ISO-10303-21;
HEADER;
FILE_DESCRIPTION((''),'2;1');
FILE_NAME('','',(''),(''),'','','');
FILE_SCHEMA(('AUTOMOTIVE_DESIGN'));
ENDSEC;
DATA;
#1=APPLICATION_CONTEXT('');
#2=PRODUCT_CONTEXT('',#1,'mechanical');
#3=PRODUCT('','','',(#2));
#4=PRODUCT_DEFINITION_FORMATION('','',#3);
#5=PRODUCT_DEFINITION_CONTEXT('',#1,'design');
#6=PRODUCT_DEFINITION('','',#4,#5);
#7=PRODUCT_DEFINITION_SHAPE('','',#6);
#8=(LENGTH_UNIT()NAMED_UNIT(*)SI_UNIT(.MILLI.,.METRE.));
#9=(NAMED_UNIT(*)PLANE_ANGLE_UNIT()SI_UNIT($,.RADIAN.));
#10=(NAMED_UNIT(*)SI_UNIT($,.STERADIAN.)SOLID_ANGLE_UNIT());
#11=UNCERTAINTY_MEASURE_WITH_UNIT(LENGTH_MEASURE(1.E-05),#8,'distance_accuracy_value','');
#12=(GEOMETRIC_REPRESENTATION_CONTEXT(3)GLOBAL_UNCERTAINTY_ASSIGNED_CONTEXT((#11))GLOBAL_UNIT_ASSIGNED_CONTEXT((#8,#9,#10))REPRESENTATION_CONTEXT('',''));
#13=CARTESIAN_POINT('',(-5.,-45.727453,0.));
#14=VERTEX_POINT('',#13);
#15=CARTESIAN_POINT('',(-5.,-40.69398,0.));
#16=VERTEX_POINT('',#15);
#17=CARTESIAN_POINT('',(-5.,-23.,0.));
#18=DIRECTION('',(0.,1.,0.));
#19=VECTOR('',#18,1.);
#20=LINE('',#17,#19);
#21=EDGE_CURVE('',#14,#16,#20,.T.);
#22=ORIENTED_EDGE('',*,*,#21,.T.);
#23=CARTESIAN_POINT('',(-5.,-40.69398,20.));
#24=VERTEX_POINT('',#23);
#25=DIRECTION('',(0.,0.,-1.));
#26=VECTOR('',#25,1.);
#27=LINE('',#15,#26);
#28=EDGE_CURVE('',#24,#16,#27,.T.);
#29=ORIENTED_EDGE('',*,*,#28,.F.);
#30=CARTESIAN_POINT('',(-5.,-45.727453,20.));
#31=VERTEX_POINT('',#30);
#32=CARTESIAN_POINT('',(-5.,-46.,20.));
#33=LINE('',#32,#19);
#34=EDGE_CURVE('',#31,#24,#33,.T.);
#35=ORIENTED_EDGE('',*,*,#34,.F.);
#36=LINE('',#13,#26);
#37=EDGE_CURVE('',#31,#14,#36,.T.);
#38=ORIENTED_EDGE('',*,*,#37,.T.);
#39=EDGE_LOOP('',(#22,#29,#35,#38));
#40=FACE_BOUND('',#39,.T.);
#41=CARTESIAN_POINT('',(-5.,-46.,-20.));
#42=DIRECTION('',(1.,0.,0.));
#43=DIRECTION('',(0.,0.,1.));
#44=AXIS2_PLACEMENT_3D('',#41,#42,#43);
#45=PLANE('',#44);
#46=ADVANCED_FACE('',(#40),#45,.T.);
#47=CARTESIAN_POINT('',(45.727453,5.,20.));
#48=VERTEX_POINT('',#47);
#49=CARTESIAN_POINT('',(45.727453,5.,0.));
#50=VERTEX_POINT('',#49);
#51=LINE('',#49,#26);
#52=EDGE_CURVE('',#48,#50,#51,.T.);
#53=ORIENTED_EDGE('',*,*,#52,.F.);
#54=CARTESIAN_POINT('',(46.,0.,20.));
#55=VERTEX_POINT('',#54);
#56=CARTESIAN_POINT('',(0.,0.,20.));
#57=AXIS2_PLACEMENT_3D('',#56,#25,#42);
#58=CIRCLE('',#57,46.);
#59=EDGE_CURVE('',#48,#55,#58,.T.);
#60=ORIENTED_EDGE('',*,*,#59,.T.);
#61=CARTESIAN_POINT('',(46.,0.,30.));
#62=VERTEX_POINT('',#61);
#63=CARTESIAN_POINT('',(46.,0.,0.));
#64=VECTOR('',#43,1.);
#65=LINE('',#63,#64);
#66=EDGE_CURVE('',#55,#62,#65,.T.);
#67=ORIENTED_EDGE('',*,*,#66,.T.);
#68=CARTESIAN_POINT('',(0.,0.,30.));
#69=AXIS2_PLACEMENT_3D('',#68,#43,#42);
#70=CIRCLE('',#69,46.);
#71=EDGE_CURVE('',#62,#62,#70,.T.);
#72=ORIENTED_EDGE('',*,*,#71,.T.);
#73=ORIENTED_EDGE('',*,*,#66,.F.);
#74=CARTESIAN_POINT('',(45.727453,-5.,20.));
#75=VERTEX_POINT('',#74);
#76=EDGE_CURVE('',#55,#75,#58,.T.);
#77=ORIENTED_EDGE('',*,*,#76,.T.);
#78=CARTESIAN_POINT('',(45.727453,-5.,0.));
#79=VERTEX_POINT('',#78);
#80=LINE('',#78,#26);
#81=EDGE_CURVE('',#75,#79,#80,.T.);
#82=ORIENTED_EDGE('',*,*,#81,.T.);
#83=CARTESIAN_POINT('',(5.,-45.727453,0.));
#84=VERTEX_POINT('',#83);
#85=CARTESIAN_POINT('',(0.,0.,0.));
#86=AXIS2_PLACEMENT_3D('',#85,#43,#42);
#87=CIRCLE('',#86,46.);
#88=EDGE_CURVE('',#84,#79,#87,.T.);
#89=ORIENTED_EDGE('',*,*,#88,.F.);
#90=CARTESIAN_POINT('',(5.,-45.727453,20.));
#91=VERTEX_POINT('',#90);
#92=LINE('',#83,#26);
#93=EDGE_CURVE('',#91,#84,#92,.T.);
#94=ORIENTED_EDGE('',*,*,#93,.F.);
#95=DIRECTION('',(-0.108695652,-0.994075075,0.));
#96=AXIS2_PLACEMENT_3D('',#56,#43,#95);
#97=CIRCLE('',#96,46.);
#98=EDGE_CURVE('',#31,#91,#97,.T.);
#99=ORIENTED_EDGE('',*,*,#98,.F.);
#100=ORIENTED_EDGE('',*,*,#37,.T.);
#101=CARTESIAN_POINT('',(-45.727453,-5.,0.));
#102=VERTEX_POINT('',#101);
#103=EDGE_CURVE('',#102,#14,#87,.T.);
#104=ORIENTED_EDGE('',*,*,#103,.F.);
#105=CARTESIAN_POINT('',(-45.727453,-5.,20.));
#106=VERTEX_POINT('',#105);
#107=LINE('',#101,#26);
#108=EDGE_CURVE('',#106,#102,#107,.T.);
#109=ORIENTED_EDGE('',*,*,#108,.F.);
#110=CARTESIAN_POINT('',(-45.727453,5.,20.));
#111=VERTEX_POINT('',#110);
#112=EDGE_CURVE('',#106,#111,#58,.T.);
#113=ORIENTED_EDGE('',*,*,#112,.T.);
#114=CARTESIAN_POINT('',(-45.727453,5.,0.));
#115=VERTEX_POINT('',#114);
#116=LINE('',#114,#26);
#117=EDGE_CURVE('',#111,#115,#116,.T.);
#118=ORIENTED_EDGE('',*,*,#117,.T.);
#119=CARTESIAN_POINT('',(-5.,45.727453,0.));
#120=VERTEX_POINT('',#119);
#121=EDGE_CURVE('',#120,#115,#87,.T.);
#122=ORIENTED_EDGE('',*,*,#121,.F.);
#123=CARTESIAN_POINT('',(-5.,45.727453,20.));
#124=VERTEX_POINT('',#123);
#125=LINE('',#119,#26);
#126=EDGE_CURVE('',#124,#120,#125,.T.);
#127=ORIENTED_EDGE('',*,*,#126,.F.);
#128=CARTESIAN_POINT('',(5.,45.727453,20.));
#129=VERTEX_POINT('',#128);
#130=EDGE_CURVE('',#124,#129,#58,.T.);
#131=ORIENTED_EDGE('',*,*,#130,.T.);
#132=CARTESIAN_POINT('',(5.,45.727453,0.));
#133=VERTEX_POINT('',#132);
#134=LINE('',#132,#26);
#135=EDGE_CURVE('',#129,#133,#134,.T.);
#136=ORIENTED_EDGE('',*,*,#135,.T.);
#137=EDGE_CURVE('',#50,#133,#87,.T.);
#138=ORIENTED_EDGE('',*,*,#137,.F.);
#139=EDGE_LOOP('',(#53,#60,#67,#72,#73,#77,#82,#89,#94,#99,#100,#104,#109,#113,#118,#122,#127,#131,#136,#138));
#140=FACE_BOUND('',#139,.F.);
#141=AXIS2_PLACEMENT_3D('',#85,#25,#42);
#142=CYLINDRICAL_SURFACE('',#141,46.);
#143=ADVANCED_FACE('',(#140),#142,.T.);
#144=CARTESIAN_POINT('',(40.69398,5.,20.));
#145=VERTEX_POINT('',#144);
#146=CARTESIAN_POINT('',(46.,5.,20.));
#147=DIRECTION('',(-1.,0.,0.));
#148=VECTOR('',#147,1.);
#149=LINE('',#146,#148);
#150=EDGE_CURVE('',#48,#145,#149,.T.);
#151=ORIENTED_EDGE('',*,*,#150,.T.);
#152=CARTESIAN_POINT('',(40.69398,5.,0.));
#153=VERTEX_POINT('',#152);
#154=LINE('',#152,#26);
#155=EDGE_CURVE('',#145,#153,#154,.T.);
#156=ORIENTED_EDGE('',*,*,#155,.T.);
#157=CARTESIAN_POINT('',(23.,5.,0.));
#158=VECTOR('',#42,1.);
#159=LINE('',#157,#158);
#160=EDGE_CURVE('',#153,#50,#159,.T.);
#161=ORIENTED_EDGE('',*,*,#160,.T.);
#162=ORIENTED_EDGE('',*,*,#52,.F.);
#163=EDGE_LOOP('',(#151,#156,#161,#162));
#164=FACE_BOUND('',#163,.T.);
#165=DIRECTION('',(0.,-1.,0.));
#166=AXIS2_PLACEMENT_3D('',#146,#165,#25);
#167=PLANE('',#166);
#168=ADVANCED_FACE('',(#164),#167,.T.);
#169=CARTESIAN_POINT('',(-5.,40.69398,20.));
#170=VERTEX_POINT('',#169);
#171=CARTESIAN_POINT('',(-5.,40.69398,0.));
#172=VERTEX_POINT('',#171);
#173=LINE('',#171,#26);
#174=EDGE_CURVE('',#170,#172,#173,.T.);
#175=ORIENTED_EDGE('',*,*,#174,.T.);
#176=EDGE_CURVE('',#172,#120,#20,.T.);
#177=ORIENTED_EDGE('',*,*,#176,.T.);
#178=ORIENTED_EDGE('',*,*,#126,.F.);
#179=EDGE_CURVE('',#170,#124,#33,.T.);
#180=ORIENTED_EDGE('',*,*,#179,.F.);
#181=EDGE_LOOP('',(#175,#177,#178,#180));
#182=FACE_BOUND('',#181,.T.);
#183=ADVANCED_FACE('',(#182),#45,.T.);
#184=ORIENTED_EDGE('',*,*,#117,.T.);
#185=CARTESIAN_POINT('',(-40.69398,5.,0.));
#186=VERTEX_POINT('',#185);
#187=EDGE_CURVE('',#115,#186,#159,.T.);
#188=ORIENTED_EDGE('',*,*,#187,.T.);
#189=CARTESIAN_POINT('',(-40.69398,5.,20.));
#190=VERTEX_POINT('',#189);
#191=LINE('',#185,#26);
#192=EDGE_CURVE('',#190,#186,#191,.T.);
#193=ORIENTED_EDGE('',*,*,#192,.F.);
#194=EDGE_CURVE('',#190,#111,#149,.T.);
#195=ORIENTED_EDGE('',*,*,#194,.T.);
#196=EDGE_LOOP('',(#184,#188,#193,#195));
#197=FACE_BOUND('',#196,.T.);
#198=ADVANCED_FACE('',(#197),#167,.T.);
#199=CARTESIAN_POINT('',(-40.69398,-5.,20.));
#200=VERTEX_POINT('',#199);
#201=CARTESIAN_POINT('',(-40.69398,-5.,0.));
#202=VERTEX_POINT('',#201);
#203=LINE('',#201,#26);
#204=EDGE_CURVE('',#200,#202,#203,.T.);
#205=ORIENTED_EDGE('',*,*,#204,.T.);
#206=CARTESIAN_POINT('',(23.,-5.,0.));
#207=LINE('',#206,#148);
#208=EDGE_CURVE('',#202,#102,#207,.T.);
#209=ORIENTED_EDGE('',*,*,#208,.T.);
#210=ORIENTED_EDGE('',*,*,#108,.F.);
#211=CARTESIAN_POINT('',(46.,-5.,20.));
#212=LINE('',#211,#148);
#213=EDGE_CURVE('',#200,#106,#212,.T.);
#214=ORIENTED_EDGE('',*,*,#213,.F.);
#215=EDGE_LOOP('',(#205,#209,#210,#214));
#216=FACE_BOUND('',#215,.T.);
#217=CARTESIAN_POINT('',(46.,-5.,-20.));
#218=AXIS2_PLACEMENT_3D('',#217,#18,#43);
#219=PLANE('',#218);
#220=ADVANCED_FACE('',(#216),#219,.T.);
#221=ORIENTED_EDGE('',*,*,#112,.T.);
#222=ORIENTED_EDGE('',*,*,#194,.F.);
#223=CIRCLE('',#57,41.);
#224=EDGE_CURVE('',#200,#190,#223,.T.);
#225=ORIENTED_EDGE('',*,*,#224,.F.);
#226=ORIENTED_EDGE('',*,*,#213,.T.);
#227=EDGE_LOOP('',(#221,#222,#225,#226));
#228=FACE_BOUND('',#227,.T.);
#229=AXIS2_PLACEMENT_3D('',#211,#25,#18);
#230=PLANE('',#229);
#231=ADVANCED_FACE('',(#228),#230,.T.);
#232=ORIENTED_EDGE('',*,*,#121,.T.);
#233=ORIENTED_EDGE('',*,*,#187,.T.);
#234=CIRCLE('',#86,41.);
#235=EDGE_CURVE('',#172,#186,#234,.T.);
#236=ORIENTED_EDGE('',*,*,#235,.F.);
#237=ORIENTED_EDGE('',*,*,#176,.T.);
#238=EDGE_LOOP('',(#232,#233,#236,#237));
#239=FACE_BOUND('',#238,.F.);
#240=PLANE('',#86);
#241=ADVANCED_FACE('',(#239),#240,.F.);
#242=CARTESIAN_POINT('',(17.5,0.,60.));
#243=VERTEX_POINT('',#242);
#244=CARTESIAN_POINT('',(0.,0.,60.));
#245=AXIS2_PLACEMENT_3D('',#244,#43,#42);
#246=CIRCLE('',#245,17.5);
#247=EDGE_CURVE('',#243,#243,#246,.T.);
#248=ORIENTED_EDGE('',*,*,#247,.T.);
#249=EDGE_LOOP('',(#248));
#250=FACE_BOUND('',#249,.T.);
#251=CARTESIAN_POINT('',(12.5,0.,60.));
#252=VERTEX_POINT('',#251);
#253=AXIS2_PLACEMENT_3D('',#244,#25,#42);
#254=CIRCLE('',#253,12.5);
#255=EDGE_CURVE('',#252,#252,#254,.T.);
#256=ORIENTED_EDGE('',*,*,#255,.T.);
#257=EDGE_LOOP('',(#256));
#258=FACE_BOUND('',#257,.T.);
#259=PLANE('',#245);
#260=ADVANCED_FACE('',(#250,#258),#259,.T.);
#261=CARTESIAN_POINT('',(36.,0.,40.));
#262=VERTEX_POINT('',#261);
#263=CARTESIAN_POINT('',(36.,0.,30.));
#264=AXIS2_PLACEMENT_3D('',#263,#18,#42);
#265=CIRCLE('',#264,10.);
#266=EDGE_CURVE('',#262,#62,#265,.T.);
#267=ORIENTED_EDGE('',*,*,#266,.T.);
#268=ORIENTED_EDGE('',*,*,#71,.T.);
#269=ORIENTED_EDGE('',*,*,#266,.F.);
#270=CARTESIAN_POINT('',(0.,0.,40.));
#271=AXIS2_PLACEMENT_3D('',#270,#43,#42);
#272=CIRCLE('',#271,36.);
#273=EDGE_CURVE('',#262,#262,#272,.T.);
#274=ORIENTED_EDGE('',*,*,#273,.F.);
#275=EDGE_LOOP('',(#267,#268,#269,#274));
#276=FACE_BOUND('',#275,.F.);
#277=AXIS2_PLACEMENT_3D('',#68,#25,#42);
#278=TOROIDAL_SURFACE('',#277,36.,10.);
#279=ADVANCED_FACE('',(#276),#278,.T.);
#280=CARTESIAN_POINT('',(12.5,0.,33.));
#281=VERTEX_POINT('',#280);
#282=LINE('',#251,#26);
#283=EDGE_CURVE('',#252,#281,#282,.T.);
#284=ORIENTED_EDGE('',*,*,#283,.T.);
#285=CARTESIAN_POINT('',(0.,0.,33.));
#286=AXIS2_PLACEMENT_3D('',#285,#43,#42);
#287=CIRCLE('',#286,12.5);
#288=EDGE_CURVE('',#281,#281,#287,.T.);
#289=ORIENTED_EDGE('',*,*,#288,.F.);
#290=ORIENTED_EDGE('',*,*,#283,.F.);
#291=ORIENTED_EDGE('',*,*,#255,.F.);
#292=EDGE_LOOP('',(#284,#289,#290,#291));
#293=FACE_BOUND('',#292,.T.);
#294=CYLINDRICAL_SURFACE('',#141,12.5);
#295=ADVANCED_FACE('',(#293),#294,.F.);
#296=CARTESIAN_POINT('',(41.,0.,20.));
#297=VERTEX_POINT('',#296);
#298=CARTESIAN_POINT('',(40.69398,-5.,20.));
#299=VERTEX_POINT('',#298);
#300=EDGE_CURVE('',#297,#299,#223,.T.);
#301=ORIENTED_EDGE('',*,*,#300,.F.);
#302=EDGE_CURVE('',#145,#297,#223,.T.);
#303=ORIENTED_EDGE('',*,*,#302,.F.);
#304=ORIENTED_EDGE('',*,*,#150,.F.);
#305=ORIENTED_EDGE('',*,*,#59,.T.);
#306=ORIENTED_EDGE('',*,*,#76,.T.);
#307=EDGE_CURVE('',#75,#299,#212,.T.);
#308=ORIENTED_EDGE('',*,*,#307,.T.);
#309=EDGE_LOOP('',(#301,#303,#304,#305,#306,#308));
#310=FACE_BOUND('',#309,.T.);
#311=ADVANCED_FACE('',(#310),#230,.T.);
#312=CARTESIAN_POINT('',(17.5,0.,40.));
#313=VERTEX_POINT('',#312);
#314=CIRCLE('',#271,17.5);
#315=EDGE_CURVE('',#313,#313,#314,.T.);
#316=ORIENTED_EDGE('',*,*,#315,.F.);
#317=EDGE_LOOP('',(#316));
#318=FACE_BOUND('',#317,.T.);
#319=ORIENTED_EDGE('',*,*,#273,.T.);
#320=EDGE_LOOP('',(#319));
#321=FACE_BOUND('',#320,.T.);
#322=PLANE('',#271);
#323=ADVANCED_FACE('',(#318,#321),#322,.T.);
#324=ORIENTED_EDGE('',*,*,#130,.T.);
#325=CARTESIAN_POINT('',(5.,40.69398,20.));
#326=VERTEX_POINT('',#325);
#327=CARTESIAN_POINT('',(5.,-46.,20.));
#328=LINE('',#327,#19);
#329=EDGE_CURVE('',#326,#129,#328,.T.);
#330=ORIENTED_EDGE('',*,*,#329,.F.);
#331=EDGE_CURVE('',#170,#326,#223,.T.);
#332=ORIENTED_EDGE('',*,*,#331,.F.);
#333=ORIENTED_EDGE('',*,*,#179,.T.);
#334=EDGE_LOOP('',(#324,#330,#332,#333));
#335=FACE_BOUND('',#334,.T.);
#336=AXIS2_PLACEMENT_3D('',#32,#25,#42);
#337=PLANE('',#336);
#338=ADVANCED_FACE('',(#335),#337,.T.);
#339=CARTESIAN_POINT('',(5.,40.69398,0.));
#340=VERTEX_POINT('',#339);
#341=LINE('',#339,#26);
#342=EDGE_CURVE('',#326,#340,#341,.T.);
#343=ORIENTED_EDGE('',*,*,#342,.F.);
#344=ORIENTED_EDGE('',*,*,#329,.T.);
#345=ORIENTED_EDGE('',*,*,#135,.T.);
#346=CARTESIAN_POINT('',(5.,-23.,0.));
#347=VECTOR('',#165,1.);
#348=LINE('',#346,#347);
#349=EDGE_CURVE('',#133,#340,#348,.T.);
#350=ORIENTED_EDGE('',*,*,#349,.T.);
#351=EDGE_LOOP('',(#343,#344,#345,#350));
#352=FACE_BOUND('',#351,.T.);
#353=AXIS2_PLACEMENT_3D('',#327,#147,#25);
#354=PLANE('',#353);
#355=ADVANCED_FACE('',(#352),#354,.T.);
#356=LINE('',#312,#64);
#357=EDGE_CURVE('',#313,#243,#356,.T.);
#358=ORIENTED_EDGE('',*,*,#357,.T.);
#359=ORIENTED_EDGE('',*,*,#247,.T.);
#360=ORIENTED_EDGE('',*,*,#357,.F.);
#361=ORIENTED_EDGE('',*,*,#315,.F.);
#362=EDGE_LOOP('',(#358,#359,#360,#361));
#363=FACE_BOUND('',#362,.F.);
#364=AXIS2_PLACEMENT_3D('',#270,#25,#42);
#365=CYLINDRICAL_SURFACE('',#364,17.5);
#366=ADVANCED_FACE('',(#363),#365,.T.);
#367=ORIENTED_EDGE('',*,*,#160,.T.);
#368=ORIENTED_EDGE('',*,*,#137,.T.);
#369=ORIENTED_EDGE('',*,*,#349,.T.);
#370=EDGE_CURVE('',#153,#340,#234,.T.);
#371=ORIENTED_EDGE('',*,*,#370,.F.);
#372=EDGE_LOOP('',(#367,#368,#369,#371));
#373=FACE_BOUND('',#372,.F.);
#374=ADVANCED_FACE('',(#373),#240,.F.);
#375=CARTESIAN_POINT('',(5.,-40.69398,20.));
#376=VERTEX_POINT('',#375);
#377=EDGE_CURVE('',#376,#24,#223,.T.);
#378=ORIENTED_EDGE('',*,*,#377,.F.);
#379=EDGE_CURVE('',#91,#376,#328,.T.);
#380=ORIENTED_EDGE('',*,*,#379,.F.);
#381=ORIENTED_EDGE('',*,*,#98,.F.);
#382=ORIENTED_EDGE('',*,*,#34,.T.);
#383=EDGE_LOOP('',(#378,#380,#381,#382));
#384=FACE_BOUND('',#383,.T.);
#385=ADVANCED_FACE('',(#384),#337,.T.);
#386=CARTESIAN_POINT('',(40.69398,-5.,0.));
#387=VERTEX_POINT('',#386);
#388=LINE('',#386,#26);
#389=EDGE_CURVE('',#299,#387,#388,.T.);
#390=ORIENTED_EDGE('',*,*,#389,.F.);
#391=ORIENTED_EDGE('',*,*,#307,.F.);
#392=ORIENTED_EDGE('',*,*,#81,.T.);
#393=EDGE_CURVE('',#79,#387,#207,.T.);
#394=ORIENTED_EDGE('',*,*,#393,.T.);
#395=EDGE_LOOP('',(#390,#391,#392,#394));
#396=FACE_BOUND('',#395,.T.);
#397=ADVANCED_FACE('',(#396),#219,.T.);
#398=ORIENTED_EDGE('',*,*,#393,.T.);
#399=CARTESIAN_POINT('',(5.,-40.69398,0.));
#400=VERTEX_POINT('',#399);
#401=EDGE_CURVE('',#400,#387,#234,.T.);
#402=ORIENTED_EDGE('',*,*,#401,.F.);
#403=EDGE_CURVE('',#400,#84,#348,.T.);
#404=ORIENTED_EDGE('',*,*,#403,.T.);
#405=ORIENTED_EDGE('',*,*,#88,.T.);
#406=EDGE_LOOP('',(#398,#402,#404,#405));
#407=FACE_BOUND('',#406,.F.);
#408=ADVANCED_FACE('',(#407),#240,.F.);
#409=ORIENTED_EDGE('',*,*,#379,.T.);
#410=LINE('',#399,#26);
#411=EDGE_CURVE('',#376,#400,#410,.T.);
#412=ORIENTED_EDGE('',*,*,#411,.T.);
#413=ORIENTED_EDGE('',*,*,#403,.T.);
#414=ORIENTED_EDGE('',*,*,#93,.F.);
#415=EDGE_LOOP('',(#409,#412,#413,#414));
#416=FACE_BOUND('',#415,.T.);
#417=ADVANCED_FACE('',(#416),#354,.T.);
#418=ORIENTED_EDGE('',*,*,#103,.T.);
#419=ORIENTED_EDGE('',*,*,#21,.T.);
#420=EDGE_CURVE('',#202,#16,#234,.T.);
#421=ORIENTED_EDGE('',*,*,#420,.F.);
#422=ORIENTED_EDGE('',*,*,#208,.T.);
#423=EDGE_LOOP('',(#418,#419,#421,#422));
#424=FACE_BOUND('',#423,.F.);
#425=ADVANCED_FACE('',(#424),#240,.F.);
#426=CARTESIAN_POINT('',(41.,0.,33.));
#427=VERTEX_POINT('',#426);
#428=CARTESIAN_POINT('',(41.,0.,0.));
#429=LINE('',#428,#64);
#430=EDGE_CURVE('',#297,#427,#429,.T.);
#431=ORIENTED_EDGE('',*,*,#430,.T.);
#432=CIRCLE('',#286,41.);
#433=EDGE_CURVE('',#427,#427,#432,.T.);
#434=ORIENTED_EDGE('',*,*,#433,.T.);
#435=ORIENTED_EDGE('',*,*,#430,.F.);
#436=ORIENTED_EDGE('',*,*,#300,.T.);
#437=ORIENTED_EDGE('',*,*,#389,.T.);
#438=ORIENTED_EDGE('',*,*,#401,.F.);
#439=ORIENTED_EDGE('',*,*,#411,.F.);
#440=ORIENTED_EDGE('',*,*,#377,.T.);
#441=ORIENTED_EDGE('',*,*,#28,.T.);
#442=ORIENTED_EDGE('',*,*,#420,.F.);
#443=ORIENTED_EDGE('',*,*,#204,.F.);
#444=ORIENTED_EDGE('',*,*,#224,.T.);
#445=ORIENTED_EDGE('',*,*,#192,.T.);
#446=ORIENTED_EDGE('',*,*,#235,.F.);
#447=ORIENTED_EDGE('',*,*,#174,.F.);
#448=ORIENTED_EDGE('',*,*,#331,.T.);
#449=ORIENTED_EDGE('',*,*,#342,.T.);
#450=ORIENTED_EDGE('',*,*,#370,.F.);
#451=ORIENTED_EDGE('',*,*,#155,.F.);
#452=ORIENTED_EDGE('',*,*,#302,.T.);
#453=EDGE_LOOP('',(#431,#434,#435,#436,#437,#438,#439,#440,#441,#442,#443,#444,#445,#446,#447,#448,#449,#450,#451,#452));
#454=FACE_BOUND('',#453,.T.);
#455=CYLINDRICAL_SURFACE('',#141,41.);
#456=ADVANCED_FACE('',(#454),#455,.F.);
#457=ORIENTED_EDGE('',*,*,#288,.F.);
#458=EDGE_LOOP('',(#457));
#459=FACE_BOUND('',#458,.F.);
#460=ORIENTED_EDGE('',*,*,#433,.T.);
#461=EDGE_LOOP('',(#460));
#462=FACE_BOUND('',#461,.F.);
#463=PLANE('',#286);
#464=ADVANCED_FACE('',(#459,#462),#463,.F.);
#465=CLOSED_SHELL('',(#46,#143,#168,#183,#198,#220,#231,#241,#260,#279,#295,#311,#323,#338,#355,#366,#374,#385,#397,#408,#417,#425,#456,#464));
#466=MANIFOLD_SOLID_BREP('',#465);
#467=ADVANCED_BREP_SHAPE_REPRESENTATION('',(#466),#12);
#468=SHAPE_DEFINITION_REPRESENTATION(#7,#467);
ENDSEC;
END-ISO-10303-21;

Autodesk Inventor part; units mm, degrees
ref_plane "XY Plane" through (0, 0, 0) normal (0, 0, 1) x (1, 0, 0)
sketch "Sketch1" plane through (0, 0, 0) normal (0, 0, 1) x (1, 0, 0)
  circle A0 centre (0, 0) radius 41
  circle A1 centre (0, 0) radius 12.5
  circle A2 centre (0, 0) radius 46
  dimension "d0" = 82
  dimension "d1" = 25
  dimension "d2" = 92
extrude "Extrusion1" add sketch "Sketch1" along normal blind 40 contours A0 | A2
fillet "Fillet1" radius 10 1 edges at (-46, 0, 40)
extrude "Extrusion2" cut sketch "Sketch1" along normal blind 33 contours A0
sketch "Sketch2" plane through (0, 0, 40) normal (0, 0, 1) x (1, 0, 0)
  circle A0 centre (0, 0) radius 17.5
  dimension "d8" = 35
extrude "Extrusion3" add sketch "Sketch2" along normal blind 20
extrude "Extrusion4" cut sketch "Sketch1" along normal blind 118.5 contours A1
thread "Thread1" size "M95x6" class "6g" standard "ANSI Metric M Profile" full length
ref_plane "Work Plane1" through (0, -46, 0) normal (0, 1, 0) x (-1, 0, 0)
ref_plane "Work Plane2" through (46, 0, 0) normal (1, 0, 0) x (0, 1, 0)
sketch "Sketch3" plane through (0, -46, 0) normal (0, 1, 0) x (-1, 0, 0)
  line L0 (5, 20) -> (-5, 20)
  line L1 (-5, 20) -> (-5, -20)
  line L2 (-5, -20) -> (5, -20)
  line L3 (5, -20) -> (5, 20)
  line L4 (5, 20) -> (-5, -20) construction
  line L5 (-5, 20) -> (5, -20) construction
  point P0 (0, 0)
  dimension "d15" = 10
  dimension "d16" = 40
extrude "Extrusion5" cut sketch "Sketch3" along normal blind 154.5
sketch "Sketch4" plane through (46, 0, 0) normal (1, 0, 0) x (0, 1, 0)
  line L0 (-5, 20) -> (5, 20)
  line L1 (5, 20) -> (5, -20)
  line L2 (5, -20) -> (-5, -20)
  line L3 (-5, -20) -> (-5, 20)
  line L4 (-5, 20) -> (5, -20) construction
  line L5 (5, 20) -> (-5, -20) construction
  point P0 (0, 0)
  dimension "d19" = 10
  dimension "d20" = 40
extrude "Extrusion6" cut sketch "Sketch4" against normal blind 154.5
properties part number "input"
